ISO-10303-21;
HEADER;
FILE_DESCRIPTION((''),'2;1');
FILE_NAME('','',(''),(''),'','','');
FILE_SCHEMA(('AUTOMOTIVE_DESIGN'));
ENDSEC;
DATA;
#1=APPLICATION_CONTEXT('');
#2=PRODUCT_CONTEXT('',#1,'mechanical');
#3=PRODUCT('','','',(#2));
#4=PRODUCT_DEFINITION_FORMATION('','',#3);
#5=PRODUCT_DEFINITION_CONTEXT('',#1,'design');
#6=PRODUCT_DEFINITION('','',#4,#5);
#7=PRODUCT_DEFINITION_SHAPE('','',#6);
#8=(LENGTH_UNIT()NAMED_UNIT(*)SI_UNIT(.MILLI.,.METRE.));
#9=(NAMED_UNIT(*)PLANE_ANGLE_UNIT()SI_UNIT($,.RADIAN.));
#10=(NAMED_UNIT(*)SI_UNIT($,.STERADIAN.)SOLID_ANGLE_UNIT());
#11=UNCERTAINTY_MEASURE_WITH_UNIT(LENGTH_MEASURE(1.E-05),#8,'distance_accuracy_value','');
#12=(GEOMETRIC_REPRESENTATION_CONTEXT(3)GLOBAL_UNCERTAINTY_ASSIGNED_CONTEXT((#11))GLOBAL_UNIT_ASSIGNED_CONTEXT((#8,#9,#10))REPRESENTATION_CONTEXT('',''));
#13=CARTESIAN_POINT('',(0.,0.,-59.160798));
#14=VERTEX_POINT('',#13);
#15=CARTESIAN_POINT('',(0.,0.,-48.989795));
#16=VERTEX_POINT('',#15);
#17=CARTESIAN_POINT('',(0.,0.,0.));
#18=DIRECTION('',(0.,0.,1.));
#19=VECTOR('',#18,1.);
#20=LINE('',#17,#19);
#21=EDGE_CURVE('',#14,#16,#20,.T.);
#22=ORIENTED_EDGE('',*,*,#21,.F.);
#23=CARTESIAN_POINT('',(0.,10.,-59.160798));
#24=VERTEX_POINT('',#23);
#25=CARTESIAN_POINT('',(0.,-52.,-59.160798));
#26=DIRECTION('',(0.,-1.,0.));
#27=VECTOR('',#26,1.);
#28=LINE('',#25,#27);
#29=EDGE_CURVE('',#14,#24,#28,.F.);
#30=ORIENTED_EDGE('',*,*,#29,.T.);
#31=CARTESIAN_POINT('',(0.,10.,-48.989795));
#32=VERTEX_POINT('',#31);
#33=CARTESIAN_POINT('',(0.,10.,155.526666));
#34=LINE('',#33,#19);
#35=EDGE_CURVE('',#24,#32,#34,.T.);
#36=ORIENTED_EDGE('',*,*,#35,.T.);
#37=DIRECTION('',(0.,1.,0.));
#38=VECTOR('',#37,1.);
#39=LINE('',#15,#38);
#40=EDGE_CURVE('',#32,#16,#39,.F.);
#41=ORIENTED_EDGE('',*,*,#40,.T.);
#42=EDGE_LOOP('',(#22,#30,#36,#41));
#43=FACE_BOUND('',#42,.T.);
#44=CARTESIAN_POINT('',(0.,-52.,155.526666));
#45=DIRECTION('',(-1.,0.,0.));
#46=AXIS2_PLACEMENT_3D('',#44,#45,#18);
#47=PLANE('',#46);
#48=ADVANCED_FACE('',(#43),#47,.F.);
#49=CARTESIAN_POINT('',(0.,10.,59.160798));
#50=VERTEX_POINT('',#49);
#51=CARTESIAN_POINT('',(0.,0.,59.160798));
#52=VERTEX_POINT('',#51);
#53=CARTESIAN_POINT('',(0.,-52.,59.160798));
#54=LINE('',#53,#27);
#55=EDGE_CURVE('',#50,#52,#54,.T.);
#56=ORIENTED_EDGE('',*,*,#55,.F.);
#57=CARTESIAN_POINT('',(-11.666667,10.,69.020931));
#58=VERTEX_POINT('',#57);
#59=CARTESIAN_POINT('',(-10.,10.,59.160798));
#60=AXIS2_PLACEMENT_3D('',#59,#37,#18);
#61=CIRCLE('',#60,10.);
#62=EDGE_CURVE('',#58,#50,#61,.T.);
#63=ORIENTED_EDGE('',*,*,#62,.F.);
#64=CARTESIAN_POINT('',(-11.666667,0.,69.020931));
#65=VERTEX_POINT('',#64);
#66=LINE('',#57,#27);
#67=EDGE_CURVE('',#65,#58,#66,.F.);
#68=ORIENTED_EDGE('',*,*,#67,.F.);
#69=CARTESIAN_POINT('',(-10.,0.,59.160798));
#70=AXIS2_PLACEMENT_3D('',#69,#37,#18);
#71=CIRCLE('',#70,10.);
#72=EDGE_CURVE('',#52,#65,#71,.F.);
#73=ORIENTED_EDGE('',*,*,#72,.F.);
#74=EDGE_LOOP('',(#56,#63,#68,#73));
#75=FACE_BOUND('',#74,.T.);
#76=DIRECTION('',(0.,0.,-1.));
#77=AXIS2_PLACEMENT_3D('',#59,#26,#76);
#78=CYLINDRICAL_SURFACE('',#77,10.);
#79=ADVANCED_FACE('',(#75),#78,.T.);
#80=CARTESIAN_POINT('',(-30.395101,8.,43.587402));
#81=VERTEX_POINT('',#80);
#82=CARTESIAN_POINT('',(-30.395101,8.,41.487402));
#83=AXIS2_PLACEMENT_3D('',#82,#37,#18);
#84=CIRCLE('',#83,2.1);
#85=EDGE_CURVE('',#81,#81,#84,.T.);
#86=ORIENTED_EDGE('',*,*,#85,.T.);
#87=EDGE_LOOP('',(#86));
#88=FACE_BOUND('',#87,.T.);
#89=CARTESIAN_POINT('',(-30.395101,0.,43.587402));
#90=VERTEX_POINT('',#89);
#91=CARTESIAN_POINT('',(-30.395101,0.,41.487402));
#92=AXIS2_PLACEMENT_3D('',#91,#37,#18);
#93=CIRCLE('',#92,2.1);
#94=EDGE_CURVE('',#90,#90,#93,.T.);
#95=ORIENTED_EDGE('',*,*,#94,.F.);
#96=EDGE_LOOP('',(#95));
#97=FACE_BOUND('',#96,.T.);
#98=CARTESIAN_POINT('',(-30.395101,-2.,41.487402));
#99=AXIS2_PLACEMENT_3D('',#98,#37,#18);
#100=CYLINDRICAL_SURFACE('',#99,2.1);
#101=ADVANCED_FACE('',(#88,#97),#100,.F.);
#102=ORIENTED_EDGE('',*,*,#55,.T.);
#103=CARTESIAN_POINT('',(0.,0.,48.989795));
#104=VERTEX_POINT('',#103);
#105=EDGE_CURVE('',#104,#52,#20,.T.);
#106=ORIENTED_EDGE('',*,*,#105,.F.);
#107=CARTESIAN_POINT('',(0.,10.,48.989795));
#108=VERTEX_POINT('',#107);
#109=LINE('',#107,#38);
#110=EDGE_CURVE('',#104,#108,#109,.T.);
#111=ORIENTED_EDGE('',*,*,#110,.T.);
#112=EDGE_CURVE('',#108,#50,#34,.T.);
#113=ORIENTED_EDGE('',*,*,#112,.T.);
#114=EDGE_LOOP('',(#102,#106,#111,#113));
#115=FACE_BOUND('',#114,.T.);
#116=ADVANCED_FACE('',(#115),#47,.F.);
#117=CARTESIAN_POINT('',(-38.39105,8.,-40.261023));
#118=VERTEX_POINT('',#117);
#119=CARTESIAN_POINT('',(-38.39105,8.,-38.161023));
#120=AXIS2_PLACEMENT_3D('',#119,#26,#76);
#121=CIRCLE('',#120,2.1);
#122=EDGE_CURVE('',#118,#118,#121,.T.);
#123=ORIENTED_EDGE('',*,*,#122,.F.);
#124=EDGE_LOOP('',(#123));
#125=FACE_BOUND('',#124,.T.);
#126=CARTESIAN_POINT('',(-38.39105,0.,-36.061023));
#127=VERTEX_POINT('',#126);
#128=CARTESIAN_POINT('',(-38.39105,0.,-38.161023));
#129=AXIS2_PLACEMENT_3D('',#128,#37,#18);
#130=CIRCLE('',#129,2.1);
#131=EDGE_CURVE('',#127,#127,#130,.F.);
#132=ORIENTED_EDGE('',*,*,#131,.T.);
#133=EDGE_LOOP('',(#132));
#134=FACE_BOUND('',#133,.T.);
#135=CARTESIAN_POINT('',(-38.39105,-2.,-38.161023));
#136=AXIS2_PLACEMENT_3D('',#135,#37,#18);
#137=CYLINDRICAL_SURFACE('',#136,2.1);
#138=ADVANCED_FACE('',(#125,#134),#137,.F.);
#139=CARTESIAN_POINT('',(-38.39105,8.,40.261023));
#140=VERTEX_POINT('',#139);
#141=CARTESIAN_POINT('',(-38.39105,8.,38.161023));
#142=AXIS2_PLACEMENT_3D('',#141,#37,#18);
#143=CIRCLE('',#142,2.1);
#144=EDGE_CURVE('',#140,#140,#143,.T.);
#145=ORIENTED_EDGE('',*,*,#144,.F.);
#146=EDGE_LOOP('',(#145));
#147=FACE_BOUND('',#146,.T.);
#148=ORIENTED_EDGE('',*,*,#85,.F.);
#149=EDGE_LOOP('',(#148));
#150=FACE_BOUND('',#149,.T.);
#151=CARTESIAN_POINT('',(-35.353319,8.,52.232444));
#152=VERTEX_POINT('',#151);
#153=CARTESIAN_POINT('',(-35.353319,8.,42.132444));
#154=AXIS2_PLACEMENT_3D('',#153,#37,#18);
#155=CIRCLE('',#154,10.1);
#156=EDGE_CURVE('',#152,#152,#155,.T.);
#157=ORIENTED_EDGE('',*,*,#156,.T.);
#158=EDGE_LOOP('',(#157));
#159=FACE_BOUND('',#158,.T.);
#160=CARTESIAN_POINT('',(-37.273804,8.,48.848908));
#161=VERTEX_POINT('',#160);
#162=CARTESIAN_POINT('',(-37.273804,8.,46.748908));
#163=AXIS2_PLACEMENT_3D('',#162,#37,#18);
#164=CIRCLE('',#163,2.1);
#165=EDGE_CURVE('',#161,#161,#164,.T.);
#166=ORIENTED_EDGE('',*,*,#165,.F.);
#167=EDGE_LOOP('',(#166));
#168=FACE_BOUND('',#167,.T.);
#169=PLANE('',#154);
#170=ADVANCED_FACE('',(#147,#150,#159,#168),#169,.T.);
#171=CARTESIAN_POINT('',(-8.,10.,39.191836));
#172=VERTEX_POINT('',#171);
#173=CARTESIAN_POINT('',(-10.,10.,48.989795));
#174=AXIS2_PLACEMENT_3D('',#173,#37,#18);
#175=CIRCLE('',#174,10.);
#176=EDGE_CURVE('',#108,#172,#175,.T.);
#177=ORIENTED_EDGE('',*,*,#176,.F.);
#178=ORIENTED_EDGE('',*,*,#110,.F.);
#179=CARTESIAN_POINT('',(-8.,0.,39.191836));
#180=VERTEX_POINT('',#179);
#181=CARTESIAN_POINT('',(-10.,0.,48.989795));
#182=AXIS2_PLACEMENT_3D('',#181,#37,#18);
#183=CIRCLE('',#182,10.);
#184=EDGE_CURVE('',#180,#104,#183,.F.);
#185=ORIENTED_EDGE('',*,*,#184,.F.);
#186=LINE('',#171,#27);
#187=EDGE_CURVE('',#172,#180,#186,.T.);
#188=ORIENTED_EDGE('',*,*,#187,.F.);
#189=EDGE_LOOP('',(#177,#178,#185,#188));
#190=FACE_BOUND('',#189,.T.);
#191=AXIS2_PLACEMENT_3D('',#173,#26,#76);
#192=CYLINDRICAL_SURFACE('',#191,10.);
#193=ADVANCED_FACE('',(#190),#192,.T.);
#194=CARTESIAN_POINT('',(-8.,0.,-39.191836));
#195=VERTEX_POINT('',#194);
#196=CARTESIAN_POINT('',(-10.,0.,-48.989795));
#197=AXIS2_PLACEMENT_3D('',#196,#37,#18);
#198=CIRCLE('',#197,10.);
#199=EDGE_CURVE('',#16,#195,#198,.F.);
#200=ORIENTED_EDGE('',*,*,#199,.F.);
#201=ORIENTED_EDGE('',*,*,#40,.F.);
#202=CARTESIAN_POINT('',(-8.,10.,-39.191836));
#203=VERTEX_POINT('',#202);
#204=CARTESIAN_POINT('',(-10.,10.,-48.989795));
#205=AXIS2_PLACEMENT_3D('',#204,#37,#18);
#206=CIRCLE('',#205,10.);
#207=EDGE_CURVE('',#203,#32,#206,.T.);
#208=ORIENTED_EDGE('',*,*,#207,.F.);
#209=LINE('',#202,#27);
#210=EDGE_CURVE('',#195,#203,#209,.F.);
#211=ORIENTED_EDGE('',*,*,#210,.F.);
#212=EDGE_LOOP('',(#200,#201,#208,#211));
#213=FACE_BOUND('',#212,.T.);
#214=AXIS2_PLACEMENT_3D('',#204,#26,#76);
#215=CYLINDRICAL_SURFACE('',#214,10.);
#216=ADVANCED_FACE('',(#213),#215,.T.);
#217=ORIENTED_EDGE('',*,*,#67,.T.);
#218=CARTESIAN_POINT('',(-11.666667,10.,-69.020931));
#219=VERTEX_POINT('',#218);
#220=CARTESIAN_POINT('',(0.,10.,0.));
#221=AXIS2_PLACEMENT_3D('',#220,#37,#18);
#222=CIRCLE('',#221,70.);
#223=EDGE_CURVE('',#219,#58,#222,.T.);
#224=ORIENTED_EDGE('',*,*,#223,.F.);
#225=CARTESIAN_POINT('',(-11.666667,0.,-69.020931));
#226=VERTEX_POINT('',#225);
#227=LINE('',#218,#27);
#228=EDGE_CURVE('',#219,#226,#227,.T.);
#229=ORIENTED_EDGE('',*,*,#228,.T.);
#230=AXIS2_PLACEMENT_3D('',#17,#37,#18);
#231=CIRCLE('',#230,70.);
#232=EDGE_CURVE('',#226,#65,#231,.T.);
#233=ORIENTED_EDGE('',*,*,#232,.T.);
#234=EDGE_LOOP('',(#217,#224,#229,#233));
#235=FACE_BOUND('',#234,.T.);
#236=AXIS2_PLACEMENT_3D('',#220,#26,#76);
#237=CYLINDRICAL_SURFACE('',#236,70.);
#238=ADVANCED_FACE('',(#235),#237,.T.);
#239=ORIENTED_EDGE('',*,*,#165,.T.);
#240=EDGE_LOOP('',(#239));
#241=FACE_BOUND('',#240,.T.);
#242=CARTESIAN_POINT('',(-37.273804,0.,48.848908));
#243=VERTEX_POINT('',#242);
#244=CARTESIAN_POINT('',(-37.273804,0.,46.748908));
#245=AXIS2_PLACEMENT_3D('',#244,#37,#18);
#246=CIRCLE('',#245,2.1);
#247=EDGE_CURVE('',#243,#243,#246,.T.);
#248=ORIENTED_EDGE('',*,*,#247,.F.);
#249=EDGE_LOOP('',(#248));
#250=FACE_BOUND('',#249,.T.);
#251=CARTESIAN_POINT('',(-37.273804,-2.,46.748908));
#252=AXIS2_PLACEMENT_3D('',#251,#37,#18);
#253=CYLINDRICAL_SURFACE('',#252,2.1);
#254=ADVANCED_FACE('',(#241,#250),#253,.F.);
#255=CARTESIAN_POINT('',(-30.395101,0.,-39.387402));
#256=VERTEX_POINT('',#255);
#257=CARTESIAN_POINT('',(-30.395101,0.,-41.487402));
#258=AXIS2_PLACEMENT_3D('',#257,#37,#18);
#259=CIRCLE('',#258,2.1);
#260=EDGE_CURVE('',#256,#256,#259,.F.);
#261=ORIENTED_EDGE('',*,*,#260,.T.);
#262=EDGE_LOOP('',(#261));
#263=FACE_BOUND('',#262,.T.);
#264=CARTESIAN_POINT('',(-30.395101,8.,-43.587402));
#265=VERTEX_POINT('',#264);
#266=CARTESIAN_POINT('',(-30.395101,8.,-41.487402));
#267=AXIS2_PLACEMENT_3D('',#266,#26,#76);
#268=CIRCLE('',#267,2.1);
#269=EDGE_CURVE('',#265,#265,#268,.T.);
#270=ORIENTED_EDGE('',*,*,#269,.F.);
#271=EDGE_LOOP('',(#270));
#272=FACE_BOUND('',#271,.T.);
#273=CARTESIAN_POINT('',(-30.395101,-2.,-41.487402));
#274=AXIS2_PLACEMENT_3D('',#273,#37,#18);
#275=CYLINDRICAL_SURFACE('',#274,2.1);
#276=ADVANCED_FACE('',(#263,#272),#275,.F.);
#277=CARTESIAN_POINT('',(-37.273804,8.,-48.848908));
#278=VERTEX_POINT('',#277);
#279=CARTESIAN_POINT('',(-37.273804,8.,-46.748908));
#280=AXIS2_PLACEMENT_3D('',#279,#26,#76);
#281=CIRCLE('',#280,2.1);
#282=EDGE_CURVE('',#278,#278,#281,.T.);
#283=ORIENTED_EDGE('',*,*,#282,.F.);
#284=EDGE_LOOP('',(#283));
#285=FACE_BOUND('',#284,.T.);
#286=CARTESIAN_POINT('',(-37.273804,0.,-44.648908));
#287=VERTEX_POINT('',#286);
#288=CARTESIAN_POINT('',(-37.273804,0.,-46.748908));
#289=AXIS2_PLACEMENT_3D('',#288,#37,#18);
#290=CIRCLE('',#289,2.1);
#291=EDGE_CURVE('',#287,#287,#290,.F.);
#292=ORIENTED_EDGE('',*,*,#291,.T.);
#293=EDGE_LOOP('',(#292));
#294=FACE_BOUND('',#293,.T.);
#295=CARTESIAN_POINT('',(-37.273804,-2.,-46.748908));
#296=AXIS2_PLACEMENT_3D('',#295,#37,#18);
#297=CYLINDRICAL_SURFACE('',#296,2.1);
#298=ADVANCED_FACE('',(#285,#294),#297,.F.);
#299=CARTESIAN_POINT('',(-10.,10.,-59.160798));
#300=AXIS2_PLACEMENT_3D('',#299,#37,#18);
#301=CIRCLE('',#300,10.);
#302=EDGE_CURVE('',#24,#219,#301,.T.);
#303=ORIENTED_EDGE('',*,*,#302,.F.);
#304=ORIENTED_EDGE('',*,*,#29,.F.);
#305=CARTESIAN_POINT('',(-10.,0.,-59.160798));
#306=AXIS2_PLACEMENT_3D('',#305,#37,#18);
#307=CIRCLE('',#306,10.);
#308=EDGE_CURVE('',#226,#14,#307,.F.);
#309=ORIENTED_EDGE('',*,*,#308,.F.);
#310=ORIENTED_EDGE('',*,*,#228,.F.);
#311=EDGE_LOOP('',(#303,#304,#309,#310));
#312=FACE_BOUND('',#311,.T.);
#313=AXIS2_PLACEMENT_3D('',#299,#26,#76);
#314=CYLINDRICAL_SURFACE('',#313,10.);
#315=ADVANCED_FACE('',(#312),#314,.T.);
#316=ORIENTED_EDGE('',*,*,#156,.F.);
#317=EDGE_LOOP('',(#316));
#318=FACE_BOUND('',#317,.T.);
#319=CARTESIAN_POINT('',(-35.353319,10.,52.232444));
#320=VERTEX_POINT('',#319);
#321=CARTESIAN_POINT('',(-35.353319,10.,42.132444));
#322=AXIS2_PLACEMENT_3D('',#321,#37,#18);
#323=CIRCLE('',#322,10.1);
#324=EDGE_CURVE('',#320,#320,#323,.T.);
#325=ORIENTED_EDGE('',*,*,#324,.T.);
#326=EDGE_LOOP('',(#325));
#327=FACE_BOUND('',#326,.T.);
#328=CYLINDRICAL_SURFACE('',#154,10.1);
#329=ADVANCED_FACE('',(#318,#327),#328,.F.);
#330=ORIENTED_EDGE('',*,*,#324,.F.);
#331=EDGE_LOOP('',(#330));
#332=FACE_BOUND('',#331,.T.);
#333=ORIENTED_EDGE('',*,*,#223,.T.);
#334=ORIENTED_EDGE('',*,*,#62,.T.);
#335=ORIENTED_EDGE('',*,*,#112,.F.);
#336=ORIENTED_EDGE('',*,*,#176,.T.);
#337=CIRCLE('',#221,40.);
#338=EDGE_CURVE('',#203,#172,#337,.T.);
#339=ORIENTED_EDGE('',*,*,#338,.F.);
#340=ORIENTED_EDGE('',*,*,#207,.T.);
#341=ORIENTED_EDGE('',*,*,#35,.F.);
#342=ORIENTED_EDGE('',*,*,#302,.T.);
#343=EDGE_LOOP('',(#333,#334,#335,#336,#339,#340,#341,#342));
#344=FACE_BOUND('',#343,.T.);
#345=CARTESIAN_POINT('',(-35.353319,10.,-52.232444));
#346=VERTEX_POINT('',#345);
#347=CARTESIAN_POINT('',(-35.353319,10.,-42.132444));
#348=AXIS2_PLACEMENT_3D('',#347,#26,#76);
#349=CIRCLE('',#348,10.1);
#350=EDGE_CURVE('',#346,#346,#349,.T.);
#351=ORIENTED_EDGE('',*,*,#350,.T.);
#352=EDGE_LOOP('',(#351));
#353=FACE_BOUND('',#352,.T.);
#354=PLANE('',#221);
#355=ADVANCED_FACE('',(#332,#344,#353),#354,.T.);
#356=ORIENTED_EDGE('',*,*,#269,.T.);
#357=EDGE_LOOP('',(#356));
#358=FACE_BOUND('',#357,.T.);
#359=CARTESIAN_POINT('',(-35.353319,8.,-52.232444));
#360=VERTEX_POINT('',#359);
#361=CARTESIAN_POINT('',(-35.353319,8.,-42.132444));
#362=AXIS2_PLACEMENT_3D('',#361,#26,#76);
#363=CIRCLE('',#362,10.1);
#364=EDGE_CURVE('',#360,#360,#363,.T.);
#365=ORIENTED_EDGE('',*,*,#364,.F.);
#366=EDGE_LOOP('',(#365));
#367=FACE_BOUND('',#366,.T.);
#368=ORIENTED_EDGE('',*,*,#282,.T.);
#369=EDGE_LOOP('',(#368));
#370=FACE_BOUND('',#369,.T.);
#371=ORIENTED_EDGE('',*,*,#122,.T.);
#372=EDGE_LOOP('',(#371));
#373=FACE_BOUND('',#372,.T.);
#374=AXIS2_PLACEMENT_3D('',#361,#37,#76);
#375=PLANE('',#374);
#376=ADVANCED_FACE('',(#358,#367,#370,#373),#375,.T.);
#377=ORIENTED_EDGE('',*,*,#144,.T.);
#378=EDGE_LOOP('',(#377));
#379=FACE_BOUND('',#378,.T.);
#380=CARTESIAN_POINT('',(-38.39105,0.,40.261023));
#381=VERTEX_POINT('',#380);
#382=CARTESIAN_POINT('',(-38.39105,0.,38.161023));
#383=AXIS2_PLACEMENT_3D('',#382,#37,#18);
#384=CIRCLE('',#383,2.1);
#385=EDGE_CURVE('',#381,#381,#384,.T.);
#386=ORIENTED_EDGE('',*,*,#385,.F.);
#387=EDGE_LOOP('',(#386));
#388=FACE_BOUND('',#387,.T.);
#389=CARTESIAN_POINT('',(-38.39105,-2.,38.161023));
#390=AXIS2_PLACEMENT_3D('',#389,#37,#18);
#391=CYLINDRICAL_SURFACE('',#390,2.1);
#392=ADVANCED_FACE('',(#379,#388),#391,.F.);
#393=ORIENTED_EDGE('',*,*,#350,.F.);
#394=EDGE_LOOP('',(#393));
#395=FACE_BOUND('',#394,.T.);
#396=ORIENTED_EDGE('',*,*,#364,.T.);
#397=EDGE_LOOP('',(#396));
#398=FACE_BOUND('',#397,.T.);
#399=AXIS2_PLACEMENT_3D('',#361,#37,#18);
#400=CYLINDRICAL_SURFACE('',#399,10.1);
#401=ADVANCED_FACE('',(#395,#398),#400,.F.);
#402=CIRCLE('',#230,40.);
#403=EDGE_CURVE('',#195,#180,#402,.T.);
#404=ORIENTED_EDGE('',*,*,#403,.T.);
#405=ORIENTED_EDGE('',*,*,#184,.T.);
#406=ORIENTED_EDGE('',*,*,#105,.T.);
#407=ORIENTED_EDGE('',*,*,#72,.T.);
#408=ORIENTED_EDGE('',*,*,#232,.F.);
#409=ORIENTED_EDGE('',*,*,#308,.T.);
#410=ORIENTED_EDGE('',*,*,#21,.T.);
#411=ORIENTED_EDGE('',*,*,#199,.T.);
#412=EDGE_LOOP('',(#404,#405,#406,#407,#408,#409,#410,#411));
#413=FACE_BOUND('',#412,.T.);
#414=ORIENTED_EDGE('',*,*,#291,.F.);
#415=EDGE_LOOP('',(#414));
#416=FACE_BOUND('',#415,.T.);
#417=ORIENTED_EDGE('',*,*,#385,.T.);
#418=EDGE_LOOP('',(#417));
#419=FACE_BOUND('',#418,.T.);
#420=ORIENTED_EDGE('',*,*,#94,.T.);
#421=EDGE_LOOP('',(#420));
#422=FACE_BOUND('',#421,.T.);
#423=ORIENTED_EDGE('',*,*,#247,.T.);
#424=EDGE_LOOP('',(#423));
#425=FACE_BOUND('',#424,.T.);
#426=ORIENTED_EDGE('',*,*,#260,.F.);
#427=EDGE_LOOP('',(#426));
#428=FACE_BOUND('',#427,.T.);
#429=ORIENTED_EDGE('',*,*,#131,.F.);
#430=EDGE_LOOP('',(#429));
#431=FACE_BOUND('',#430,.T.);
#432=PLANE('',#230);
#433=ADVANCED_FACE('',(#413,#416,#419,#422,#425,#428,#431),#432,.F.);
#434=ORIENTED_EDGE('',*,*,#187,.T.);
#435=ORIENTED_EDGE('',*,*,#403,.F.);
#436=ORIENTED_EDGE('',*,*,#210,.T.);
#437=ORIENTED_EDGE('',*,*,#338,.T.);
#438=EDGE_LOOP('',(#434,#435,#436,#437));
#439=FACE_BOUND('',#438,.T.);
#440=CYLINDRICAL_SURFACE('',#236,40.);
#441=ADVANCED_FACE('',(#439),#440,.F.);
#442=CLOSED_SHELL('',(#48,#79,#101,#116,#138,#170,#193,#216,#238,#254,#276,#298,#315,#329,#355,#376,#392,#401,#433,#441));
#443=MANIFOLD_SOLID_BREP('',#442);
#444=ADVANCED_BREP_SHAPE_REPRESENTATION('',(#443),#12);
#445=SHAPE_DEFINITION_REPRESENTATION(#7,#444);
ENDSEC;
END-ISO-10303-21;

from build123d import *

# Parameters (mm, degrees)
SKETCH_1_R          = 70
SKETCH_1_R_2        = 40
EXTRUDE_1_DEPTH     = 10
SKETCH_2_W          = 120.331390639
SKETCH_2_H          = 328.028138093
CUT_EXTRUDE_1_DEPTH = 62
SKETCH_3_R          = 10.1
CUT_EXTRUDE_2_DEPTH = 2
FILLET_1_R          = 10
SKETCH_4_R          = 2.1
CUT_EXTRUDE_3_DEPTH = 10


with BuildPart() as part:
    # 草图1 → 凸台-拉伸1 (new body)
    with BuildSketch(Plane(origin=(0, 0, 0), x_dir=(1, 0, 0), z_dir=(0, 1, 0))):
        with Locations(Location((0, 0, 0), (0, 0, 270))):
            Circle(SKETCH_1_R)
        with Locations(Location((0, 0, 0), (0, 0, 270))):
            Circle(SKETCH_1_R_2, mode=Mode.SUBTRACT)
    extrude(amount=EXTRUDE_1_DEPTH)

    # 草图2 → 切除-拉伸1 (cut)
    with BuildSketch(Plane(origin=(0, 10, 0), x_dir=(1, 0, 0), z_dir=(0, 1, 0))):
        with Locations((60.16569532, 8.487402818)):
            Rectangle(SKETCH_2_W, SKETCH_2_H)
    extrude(amount=-CUT_EXTRUDE_1_DEPTH, mode=Mode.SUBTRACT)

    # 草图3 → 切除-拉伸2 (cut)
    with BuildSketch(Plane(origin=(0, 10, 0), x_dir=(1, 0, 0), z_dir=(0, 1, 0))):
        with Locations(Location((-35.353318533, -42.132444372, 0), (0, 0, 270))):
            Circle(SKETCH_3_R)
    cut_extrude_2 = extrude(amount=-CUT_EXTRUDE_2_DEPTH, mode=Mode.SUBTRACT)

    # 镜向1: 切除-拉伸2 across plane
    add(cut_extrude_2.mirror(Plane.XY), mode=Mode.SUBTRACT)

    # 圆角1
    fillet_1_edges = [part.edges().sort_by_distance(p)[0] for p in [
        (0, 5, 40),
        (0, 5, -40),
        (0, 5, -70),
        (0, 5, 70),
    ]]
    fillet(fillet_1_edges, radius=FILLET_1_R)

    # 草图4 → 切除-拉伸3 (cut)
    with BuildSketch(Plane(origin=(0, 8, 0), x_dir=(1, 0, 0), z_dir=(0, 1, 0))):
        with Locations(Location((-38.391050289, -38.161023243, 0), (0, 0, 270))):
            Circle(SKETCH_4_R)
        with Locations(Location((-30.395101069, -41.487402065, 0), (0, 0, 270))):
            Circle(SKETCH_4_R)
        with Locations(Location((-37.273804241, -46.748907806, 0), (0, 0, 270))):
            Circle(SKETCH_4_R)
    cut_extrude_3 = extrude(amount=-CUT_EXTRUDE_3_DEPTH, mode=Mode.SUBTRACT)

    # 镜向2: 切除-拉伸3 across plane
    add(cut_extrude_3.mirror(Plane.XY), mode=Mode.SUBTRACT)


solid = part.part
